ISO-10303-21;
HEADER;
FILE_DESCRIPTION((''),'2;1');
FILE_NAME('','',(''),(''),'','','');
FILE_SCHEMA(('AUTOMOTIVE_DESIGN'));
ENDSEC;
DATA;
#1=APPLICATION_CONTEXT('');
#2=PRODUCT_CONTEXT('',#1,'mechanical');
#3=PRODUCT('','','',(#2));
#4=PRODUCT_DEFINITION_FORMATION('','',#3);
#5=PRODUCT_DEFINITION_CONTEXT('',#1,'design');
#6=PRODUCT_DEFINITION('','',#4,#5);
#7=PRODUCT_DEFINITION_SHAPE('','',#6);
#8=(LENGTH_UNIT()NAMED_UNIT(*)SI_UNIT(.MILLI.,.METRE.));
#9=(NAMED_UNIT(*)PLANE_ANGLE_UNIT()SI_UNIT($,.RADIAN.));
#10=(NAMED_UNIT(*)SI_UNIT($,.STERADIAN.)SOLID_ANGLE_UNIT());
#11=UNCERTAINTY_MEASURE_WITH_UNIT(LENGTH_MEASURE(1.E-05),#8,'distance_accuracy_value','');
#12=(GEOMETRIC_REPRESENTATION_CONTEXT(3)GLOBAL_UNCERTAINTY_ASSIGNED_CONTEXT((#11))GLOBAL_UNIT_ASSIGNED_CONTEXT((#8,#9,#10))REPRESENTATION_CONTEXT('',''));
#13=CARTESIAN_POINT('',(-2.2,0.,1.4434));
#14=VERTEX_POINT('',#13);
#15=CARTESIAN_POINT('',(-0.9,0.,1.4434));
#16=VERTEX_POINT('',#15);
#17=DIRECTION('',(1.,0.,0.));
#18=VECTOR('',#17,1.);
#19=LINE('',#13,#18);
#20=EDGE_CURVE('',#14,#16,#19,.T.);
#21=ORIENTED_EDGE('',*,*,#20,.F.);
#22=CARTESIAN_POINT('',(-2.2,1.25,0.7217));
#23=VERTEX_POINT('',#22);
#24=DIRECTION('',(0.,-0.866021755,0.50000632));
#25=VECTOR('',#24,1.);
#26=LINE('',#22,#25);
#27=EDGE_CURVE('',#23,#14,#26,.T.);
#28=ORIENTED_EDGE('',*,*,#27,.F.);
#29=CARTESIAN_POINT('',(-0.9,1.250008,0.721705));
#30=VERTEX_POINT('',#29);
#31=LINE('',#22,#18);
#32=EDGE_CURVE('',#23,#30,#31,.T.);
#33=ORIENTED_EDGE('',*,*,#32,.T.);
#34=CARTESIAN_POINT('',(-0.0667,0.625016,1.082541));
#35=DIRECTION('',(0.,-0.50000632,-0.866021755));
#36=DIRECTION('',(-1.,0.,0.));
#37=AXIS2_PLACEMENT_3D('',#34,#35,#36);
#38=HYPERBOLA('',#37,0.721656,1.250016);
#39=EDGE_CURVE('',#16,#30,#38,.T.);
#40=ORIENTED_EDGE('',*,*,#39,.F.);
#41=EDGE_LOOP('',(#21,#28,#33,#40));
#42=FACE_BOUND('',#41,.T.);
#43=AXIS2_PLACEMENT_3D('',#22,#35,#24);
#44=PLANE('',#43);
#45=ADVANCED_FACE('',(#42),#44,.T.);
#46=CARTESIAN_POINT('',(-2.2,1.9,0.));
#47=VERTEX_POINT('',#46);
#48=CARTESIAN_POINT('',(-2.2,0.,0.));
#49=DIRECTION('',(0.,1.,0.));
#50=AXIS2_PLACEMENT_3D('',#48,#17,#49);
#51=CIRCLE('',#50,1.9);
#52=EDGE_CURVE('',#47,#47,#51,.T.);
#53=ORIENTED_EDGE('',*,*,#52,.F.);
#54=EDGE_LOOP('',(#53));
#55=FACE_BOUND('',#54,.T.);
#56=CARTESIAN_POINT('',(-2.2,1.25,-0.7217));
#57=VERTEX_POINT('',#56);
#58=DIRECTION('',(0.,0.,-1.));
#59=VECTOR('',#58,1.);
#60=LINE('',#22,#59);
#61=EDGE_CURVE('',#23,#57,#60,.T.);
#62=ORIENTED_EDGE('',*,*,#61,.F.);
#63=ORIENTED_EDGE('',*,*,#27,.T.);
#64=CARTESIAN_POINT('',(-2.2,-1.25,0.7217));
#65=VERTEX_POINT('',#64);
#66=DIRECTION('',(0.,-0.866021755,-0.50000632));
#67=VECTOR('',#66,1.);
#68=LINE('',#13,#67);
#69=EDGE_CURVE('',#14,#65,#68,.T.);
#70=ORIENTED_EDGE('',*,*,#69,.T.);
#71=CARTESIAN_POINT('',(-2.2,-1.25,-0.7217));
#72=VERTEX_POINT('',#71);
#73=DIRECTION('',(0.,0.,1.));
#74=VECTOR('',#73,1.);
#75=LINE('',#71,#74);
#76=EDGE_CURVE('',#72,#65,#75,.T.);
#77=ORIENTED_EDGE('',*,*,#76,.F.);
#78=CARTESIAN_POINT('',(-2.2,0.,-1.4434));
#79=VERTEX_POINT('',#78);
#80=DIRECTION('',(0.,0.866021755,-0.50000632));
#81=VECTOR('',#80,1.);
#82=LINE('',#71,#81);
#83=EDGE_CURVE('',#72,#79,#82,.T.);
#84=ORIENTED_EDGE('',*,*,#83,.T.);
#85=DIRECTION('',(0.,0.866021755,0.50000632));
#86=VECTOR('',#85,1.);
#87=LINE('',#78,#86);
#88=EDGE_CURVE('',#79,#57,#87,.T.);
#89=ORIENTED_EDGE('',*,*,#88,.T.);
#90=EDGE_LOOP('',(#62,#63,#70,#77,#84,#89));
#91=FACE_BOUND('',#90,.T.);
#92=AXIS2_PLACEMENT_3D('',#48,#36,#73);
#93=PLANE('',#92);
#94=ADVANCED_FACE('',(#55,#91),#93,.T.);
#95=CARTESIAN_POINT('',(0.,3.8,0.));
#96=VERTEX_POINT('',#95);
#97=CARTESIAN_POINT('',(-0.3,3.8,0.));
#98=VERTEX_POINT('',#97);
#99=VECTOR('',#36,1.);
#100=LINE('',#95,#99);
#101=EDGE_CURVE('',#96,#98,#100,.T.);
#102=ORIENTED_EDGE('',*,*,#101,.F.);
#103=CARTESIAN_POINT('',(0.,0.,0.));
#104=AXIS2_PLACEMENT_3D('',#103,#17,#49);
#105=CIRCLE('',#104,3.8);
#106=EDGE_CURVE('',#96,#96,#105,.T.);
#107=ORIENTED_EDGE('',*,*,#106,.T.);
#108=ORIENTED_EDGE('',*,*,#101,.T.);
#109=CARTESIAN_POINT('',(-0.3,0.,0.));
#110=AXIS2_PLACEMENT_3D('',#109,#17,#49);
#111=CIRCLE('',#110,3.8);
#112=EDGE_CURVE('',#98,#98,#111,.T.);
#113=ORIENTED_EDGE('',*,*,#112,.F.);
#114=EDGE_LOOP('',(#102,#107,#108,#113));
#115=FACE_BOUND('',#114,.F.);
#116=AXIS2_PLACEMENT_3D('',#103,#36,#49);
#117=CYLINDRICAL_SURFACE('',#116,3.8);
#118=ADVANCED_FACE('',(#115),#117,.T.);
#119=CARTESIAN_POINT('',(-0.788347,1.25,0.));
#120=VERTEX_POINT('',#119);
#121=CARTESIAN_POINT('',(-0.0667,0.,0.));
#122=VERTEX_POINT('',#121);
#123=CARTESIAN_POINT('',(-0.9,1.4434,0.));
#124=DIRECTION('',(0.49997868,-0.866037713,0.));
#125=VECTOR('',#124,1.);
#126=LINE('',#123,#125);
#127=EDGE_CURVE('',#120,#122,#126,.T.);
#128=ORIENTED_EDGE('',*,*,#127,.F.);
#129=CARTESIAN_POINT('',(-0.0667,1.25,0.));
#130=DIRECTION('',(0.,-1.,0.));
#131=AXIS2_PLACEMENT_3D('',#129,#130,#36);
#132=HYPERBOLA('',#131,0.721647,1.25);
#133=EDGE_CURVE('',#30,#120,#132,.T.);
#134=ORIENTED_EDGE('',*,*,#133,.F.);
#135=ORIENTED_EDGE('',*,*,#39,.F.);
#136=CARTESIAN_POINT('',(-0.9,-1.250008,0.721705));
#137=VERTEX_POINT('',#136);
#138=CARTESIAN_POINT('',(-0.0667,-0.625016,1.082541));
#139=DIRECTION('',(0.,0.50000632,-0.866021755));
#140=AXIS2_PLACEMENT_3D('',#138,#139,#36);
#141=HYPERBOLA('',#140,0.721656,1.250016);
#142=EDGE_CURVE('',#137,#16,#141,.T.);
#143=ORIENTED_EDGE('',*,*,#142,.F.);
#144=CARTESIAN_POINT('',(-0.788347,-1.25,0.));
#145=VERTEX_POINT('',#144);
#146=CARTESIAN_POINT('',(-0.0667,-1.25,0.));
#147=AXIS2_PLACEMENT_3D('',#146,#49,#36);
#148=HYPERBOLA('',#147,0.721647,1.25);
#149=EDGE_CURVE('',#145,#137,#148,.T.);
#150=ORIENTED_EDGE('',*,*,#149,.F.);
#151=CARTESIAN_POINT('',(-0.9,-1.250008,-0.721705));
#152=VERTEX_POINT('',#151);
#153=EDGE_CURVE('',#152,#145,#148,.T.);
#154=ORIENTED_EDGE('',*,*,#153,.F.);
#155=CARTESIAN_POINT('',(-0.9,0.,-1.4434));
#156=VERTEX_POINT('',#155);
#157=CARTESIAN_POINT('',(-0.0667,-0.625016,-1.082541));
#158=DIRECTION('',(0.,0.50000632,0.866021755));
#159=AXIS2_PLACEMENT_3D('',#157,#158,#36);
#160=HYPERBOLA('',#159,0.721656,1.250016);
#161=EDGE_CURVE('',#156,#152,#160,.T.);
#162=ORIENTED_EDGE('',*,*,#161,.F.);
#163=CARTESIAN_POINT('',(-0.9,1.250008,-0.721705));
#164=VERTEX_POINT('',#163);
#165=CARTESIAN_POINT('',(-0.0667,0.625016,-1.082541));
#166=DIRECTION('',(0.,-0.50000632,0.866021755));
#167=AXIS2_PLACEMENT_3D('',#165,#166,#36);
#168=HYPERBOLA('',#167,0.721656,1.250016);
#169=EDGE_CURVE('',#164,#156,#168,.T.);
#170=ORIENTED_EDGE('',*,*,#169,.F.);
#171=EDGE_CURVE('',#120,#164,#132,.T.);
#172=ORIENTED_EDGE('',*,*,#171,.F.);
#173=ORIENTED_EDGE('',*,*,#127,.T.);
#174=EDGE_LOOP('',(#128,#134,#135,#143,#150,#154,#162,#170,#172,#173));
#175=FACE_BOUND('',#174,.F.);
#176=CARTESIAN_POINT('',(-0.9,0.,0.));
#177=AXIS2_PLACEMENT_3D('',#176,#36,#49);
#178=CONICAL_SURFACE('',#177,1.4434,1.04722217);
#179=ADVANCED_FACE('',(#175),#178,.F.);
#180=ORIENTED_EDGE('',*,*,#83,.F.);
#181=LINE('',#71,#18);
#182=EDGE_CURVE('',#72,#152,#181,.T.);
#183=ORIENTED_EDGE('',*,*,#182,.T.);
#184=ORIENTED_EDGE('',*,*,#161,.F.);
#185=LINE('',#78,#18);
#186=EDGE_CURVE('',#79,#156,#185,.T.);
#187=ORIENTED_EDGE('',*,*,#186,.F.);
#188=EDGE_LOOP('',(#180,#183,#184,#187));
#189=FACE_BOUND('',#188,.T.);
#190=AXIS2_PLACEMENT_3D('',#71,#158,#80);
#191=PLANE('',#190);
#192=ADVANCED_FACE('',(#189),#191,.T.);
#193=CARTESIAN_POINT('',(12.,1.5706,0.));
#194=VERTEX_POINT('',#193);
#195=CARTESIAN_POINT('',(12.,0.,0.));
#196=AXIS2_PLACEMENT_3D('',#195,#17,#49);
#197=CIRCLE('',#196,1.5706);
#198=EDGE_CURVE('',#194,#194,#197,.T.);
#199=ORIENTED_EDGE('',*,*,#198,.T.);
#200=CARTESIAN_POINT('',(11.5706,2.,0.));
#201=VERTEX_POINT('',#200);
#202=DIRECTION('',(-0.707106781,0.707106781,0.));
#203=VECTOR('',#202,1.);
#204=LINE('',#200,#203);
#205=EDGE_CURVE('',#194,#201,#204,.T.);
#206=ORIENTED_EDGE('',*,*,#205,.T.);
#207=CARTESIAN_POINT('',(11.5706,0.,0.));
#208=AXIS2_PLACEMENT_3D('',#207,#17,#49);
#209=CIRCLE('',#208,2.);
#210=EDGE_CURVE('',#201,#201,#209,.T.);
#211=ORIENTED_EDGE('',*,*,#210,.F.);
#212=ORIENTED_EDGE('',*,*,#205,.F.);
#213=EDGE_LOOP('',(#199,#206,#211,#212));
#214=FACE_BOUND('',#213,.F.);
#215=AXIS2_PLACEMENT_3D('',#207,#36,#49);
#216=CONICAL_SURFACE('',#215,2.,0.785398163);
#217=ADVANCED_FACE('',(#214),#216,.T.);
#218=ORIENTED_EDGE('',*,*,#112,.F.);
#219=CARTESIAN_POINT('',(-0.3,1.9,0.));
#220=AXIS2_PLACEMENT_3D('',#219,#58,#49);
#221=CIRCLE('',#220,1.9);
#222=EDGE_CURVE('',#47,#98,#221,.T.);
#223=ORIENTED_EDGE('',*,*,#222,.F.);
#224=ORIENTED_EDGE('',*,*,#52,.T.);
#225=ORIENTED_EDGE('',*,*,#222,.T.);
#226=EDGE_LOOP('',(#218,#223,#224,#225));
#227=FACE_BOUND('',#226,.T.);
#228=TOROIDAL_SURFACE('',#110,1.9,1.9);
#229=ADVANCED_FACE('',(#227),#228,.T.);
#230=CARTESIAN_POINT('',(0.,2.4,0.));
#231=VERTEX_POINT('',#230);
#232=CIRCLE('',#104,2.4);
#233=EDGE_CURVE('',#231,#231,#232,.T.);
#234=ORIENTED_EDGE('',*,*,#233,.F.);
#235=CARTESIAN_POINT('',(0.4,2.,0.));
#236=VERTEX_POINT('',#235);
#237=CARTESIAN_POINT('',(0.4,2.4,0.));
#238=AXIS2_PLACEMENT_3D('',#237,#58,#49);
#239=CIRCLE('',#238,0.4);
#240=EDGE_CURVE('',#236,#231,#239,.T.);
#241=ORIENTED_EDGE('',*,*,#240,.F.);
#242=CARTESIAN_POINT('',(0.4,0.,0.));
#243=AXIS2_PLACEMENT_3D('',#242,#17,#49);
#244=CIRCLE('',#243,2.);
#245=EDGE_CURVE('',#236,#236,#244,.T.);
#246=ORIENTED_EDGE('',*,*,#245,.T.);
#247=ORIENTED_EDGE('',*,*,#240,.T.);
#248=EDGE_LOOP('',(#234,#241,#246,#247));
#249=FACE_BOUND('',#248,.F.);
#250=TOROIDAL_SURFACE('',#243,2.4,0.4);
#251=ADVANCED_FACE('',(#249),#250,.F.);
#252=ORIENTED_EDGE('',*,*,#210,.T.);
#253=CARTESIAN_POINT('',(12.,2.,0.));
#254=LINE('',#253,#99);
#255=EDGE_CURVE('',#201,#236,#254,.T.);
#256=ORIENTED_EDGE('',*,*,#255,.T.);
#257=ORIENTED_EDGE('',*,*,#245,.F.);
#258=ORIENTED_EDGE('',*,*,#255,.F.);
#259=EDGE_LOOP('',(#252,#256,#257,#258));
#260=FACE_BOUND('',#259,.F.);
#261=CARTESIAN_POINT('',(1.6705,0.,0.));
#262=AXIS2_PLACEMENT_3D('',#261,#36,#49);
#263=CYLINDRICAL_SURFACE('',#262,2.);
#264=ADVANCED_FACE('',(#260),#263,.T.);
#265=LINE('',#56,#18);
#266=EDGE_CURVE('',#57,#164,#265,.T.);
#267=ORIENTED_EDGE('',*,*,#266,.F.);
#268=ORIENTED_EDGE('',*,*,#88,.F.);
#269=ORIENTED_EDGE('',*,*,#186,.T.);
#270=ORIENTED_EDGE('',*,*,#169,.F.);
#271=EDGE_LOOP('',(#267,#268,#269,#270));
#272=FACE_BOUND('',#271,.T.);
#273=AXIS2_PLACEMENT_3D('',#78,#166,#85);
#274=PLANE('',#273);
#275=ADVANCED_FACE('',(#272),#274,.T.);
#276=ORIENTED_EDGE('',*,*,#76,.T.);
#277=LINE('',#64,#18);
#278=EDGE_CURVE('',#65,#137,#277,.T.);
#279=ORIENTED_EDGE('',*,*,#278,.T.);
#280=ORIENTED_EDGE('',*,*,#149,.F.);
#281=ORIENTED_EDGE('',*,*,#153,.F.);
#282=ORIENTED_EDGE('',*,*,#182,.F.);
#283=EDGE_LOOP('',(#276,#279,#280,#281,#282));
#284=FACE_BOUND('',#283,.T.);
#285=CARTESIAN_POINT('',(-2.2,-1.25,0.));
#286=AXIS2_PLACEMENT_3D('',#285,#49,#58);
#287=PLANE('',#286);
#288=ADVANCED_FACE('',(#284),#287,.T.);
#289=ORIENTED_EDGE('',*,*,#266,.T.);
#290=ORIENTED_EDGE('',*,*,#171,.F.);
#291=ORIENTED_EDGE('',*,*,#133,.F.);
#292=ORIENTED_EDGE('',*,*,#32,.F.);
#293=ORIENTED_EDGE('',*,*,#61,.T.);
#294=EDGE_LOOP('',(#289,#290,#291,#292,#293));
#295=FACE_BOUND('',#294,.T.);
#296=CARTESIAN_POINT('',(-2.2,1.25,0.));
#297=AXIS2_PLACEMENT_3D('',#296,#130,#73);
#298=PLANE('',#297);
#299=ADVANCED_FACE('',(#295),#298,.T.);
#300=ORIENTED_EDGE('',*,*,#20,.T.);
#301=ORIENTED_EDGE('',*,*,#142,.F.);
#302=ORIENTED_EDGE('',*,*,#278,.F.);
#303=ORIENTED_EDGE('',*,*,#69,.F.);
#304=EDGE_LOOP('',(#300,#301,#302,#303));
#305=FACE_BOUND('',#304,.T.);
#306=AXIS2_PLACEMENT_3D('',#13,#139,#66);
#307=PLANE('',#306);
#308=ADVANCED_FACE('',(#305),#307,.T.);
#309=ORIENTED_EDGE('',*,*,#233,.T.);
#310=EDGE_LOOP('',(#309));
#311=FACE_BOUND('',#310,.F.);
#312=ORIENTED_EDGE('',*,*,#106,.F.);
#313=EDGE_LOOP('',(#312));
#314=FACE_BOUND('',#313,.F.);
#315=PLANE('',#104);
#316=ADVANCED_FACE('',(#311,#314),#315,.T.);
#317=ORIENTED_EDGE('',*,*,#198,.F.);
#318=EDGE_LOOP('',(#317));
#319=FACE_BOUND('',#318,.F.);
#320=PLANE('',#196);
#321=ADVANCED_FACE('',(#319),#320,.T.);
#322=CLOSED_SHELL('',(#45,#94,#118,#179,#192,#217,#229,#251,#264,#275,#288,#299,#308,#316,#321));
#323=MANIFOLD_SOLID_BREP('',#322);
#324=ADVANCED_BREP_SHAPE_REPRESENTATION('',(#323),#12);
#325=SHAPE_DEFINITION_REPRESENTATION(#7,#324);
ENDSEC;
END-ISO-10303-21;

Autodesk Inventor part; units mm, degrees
ref_plane "YZ Plane" through (0, 0, 0) normal (1, 0, 0) x (0, 1, 0)
ref_plane "XZ Plane" through (0, 0, 0) normal (0, 1, 0) x (-1, 0, 0)
sketch "Sketch1" plane through (0, 0, 0) normal (0, 0, 1) x (1, 0, 0)
  line L0 (-0.0667, 0) -> (12, 0)
  line L1 (12, 0) -> (12, 2)
  line L2 (12, 2) -> (2.1, 2)
  line L3 (2.1, 2) -> (1.6705, 2)
  line L4 (1.6705, 2) -> (0, 2)
  line L5 (0, 2) -> (0, 3.8)
  line L6 (0, 3.8) -> (-2.2, 3.8)
  line L7 (-2.2, 3.8) -> (-2.2, 1.4434)
  line L8 (-2.2, 1.4434) -> (-0.9, 1.4434)
  line L9 (-0.9, 1.4434) -> (-0.0667, 0)
  line L10 (-5.04, 0) -> (14.84, 0) projected
  line L11 (0, -0.76) -> (0, 4.56) projected
  line L12 (2.1, 2) -> (0, 2) construction
  dimension "d1" = 9.9
  dimension "d2" = 0.4295
  dimension "d3" = 2.2
  dimension "d4" = 1.3
  dimension "d5" = 60
  dimension "d6" = 4
  dimension "d7" = 4
  dimension "d8" = 2.8868
  dimension "d9" = 7.6
  dimension "d26" = 12
revolve "Body" add sketch "Sketch1" angle 360 about axis through (-0.0667, 0, 0) along (1, 0, 0)
sketch "Sketch2" plane through (-2.2, 0, 0) normal (-1, 0, 0) x (0, 0, 1)
  circle A0 centre (0, 0) radius 1.4434 projected
  line L0 (0, -5.32) -> (0, 5.32) projected
  line L1 (-5.32, 0) -> (5.32, 0) projected
  line L2 (1.4434, 0) -> (0.7217, -1.25)
  line L3 (0.7217, -1.25) -> (-0.7217, -1.25)
  line L4 (-0.7217, -1.25) -> (-1.4434, 0)
  line L5 (-1.4434, 0) -> (-0.7217, 1.25)
  line L6 (-0.7217, 1.25) -> (0.7217, 1.25)
  line L7 (0.7217, 1.25) -> (1.4434, 0)
extrude "Slot" add sketch "Sketch2" against normal up to next contours L7 A0 | A0 L2 | L6 L0 A0 | A0 L0 L3 | L0 L6 A0 | A0 L3 L0 | L4 A0 | A0 L5
fillet "Fillet1" radius 1.9 1 edges at (-2.2, -3.8, 0)
thread "Thread" size "M4x0.7" class "6g" standard "ISO Metric profile" length 9.9
chamfer "Chamfer1" distance 0.4294 distance2 0.4294 1 edges at (12, -2, 0) measured on face at (12, -1.1003, -0.6618)
ref_plane "Work Plane1" through (29, 0, 0) normal (0, -1, 0) x (1, 0, 0)
fillet "Fillet2" radius 0.4 1 edges at (0, -2, 0)
equation "\"d1\" = GEL"
equation "\"d3\" = KOH"
equation "\"d4\" = INTI"
equation "\"d6\" = GD"
equation "\"d7\" = BDM"
equation "\"d8\" = 1.1547 * SW"
equation "\"d9\" = KOD"
equation "\"d26\" = NLG"
equation "\"d30\" = R"
equation "\"d17\" = RR"
equation "\"d13\" = GEL"
equation "\"d15\" = -0.5 * SPD + 0.5 * GD"
equation "\"d16\" = GUL"
equation "\"GD\" = NND"
equation "\"NLG\" = 12"
equation "\"GEL\" = 9.9"
equation "\"KOD\" = 7.6"
equation "\"KOH\" = 2.2"
equation "\"INTI\" = 1.3"
equation "\"GAL\" = 0.61345 * PTC"
equation "\"GUL\" = 0.61345 * PTC"
equation "\"BDM\" = NND"
equation "\"SW\" = 2.5"
equation "\"RR\" = 1.9"
equation "\"SPD\" = NND - 1.2269 * PTC"
equation "\"R\" = 0.4"
equation "\"TOA\" = 30deg"
equation "\"GD1\" = THREADDIA - 1.2269 * PTC"
equation "\"THREADDIA\" = 4"
equation "\"PTC\" = 0.7"
equation "\"NND\" = 4"
equation "\"KOH1\" = 0.3"
equation "\"E0\" = 2.873"
properties part number "ISO 7380-1 - M4 x 12" material "Steel"
